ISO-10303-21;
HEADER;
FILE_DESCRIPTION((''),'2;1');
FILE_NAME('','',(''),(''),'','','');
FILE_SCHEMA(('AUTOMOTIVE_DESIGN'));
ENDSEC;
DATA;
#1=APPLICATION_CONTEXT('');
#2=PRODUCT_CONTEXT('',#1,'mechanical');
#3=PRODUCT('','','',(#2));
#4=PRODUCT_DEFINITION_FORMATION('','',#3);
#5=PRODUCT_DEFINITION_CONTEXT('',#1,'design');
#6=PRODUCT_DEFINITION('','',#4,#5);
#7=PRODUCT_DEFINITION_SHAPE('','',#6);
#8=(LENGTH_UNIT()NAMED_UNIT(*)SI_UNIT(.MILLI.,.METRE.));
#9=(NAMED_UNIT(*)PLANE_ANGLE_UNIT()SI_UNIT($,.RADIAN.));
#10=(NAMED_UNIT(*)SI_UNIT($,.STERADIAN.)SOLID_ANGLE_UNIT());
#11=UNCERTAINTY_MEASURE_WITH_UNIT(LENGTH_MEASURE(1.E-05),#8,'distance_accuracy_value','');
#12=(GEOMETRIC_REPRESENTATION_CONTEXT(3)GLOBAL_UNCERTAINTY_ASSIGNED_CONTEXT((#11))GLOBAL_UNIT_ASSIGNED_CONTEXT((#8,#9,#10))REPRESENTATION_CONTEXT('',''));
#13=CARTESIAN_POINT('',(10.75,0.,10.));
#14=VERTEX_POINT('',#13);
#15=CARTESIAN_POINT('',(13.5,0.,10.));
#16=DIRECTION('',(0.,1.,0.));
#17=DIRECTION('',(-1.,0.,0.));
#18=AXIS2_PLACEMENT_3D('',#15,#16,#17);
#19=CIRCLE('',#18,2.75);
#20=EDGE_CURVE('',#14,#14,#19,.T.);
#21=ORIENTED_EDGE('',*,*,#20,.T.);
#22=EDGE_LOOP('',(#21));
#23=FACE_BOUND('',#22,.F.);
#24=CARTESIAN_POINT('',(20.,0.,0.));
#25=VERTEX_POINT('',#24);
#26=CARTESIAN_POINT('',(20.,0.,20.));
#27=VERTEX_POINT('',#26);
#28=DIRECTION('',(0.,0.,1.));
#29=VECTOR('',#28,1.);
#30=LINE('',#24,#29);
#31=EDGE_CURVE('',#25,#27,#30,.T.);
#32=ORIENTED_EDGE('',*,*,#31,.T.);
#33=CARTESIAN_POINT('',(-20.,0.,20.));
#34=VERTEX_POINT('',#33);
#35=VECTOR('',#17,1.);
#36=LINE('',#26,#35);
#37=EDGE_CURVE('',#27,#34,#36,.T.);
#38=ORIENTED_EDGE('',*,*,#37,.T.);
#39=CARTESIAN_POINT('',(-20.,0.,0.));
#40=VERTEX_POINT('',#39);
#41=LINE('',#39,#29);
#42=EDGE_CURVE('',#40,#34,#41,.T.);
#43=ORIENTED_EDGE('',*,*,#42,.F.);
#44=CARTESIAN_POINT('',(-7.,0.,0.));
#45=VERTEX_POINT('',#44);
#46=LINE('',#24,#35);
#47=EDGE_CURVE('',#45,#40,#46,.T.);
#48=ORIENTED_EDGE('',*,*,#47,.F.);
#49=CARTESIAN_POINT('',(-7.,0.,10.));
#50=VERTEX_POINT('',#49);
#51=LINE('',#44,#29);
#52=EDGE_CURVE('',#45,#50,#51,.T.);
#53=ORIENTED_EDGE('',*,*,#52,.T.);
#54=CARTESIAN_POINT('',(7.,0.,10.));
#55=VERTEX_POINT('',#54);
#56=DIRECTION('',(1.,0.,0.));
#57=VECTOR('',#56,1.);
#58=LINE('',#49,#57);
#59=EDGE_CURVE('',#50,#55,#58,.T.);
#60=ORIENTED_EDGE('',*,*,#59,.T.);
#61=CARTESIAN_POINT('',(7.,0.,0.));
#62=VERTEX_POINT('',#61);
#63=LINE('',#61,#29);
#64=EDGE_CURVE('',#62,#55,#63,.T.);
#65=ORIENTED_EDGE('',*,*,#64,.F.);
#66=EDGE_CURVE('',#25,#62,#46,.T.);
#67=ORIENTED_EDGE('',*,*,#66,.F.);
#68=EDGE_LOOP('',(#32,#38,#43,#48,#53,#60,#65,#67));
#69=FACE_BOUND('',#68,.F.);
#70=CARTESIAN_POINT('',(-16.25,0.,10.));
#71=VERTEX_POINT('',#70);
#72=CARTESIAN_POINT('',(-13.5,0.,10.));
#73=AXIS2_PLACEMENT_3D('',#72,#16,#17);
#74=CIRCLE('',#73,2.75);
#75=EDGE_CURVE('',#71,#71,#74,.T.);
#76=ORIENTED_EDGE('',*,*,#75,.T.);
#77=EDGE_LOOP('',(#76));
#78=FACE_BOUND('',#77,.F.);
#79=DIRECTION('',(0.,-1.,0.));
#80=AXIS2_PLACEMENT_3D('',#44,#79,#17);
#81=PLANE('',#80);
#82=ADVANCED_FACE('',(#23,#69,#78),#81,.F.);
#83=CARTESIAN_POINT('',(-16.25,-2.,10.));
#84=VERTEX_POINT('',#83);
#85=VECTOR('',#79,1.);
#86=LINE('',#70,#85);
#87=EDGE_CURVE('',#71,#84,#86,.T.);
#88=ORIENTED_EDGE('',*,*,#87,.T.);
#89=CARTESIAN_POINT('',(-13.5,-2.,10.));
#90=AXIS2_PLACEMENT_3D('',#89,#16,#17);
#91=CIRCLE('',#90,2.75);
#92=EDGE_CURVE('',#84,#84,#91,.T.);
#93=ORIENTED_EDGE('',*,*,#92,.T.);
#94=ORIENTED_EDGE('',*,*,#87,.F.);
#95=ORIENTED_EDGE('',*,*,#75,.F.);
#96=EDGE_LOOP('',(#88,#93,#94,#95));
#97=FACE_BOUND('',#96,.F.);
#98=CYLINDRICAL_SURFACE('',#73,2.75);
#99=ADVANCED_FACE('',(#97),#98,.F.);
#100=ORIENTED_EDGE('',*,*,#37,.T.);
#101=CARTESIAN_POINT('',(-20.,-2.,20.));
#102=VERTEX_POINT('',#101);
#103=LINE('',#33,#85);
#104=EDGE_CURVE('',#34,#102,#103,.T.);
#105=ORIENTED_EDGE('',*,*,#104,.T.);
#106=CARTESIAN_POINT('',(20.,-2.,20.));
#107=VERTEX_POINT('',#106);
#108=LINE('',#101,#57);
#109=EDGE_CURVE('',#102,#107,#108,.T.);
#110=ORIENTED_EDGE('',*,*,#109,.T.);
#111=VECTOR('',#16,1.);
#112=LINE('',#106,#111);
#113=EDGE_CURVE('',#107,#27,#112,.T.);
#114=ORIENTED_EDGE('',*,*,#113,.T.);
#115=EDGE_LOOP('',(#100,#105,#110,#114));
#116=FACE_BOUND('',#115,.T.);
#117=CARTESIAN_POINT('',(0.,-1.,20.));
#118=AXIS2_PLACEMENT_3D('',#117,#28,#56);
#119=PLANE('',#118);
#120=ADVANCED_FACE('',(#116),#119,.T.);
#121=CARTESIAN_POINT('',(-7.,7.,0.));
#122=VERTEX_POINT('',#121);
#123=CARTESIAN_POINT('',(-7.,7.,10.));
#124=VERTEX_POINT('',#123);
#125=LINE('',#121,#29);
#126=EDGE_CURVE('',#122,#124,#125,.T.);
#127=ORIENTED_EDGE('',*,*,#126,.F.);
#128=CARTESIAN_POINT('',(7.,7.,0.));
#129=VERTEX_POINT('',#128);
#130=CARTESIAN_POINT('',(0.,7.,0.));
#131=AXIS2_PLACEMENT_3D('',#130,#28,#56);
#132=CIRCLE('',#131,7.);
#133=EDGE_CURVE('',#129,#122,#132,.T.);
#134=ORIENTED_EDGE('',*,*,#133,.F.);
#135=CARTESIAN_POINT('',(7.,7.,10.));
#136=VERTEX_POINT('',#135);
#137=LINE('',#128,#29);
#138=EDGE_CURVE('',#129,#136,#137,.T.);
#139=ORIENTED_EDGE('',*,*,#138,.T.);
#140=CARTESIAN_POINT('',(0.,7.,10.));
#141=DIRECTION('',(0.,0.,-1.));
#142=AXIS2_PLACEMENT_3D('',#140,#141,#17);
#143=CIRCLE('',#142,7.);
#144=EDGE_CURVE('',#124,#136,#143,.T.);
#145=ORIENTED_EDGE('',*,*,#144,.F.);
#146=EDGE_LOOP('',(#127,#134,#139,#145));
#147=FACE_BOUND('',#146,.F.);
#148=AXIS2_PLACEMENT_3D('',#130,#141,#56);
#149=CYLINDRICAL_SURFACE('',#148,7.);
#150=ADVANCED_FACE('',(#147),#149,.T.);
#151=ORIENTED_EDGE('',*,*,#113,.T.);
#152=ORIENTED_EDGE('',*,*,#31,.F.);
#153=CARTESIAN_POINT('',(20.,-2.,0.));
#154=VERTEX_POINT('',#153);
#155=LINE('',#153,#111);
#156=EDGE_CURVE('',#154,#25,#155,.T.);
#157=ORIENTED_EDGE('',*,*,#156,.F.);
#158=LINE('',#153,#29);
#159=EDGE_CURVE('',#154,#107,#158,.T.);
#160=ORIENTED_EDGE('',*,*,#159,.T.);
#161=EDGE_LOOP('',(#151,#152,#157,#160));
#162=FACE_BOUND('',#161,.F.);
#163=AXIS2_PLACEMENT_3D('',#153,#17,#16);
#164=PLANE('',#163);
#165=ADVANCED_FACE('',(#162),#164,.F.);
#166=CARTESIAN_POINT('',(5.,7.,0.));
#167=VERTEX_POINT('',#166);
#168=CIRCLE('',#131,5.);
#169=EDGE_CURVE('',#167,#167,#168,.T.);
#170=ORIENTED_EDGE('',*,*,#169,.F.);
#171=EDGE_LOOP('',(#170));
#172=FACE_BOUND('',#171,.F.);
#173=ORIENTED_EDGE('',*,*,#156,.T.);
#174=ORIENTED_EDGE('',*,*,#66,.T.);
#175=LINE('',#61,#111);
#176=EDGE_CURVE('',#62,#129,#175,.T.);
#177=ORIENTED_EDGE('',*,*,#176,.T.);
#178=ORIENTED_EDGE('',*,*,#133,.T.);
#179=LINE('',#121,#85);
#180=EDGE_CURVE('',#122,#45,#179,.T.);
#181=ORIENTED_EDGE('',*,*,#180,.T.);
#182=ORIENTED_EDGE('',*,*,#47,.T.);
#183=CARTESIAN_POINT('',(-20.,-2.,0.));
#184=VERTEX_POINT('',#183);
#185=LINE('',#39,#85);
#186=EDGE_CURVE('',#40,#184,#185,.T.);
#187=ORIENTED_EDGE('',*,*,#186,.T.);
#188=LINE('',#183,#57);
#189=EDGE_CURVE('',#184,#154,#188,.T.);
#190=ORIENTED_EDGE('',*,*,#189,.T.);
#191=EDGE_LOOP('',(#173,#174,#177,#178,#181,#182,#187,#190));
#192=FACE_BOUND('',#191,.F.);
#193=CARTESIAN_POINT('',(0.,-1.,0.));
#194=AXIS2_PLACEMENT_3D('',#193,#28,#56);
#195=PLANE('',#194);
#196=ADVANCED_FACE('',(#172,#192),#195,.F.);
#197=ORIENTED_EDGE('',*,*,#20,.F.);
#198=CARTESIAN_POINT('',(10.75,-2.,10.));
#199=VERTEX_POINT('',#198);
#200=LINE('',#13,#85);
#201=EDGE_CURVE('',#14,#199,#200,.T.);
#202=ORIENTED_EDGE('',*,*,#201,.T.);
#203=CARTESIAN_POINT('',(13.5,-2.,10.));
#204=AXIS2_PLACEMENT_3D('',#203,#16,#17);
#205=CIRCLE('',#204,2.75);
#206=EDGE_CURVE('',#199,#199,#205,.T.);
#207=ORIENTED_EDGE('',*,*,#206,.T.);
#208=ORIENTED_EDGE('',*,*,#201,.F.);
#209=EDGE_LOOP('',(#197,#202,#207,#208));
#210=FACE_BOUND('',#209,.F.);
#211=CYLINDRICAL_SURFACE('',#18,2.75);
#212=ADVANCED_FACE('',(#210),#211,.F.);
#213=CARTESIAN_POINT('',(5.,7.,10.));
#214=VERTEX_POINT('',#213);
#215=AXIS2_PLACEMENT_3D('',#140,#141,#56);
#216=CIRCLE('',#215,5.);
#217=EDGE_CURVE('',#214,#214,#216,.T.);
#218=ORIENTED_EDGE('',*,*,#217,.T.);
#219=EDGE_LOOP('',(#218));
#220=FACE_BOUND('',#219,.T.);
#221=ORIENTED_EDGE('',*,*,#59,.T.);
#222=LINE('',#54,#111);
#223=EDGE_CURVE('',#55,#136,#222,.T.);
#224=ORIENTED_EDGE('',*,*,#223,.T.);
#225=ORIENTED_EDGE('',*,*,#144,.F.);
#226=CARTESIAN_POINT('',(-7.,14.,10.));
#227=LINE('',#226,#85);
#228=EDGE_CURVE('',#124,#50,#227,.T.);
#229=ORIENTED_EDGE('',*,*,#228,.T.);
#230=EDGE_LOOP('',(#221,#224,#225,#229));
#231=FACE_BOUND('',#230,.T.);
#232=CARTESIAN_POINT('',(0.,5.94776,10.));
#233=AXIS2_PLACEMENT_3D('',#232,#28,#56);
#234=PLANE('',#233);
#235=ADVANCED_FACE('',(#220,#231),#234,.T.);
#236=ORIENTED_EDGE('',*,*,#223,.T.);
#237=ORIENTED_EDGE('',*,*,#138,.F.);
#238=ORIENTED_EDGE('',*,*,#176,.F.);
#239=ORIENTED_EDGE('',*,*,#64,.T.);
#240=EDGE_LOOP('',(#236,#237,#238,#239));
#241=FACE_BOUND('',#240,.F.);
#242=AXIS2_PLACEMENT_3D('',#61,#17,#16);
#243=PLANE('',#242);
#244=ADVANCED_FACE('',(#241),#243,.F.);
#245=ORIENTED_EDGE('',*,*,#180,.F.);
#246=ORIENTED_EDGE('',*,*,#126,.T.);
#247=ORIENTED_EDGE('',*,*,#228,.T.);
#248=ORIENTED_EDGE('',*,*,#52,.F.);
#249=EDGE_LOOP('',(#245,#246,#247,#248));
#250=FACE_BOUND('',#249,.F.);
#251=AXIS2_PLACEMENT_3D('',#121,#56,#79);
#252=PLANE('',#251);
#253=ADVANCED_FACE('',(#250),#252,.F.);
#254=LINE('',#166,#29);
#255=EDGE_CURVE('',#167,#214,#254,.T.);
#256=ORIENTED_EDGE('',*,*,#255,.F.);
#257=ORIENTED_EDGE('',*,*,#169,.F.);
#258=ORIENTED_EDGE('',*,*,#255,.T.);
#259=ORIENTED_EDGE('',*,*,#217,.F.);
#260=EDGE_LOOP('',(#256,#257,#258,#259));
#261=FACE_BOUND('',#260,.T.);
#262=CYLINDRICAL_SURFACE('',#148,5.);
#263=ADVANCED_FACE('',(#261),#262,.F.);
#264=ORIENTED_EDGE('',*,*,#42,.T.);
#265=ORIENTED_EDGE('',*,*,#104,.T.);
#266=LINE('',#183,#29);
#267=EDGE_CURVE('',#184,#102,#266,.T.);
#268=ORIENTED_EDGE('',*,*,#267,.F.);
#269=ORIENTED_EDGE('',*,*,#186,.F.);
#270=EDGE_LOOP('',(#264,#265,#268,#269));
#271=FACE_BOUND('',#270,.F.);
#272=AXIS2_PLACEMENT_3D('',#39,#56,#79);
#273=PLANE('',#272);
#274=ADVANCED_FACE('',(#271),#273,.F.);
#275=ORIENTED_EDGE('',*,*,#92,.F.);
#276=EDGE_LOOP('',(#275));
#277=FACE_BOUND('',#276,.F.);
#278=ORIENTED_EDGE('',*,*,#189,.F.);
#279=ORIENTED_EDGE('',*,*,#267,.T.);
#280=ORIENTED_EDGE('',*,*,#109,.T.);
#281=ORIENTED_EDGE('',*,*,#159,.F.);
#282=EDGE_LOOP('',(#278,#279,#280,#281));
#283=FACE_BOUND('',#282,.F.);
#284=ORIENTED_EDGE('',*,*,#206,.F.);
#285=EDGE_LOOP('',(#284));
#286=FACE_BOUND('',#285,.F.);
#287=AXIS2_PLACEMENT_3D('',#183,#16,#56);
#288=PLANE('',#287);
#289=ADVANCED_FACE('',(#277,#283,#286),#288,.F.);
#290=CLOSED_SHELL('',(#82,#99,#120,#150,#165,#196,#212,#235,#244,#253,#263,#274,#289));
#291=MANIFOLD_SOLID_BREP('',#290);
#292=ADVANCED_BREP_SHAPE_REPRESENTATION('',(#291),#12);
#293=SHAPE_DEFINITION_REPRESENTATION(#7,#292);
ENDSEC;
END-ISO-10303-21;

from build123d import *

# Parameters (mm, degrees)
F0_R     = 5
F1_DEPTH = 20
F2_R     = 2.75
F3_DEPTH = 2
F5_DEPTH = 10


with BuildPart() as f1:
    # F0 (on Top) → F1 (new body)
    with BuildSketch(Plane.XY):
        Polygon((-20, -2), (20, -2), (20, 0), (7, 0), (0, 0), (-7, 0), (-20, 0), align=None)
        with BuildLine():
            Line((0, 0), (7, 0))
            Line((7, 0), (7, 7))
            ThreePointArc((7, 7), (4.949747, 2.050253), (0, 0))
        make_face()
        with BuildLine():
            Line((-7, 7), (-7, 0))
            Line((-7, 0), (0, 0))
            ThreePointArc((0, 0), (-4.949747, 2.050253), (-7, 7))
        make_face()
        with BuildLine():
            ThreePointArc((-7, 7), (-4.949747, 2.050253), (0, 0))
            ThreePointArc((0, 0), (4.949747, 2.050253), (7, 7))
            ThreePointArc((7, 7), (0, 14), (-7, 7))
        make_face()
        with Locations((0, 7)):
            Circle(F0_R, mode=Mode.SUBTRACT)
    extrude(amount=F1_DEPTH)

    # F2 (on face) → F3 (cut, through all)
    with BuildSketch(Plane(origin=(0, 0, 0), x_dir=(-1, 0, 0), z_dir=(0, 1, 0))):
        with Locations((-13.5, 10)):
            Circle(F2_R)
        with Locations((13.5, 10)):
            Circle(F2_R)
    extrude(amount=-F3_DEPTH, mode=Mode.SUBTRACT)

    # F4 (on face) → F5 (cut)
    with BuildSketch(Plane.XY.offset(20)):
        with BuildLine():
            Line((-7, 7), (-7, 0))
            Line((-7, 0), (7, 0))
            Line((7, 0), (7, 7))
            ThreePointArc((7, 7), (4.949747, 11.949747), (0, 14))
            ThreePointArc((0, 14), (-4.949747, 11.949747), (-7, 7))
        make_face()
        with BuildLine():
            Line((-7, 14), (-7, 7))
            ThreePointArc((-7, 7), (-4.949747, 11.949747), (0, 14))
            Line((0, 14), (-7, 14))
        make_face()
        with BuildLine():
            ThreePointArc((0, 14), (4.949747, 11.949747), (7, 7))
            Line((7, 7), (7, 14))
            Line((7, 14), (0, 14))
        make_face()
    extrude(amount=-F5_DEPTH, mode=Mode.SUBTRACT)


solid = f1.part
